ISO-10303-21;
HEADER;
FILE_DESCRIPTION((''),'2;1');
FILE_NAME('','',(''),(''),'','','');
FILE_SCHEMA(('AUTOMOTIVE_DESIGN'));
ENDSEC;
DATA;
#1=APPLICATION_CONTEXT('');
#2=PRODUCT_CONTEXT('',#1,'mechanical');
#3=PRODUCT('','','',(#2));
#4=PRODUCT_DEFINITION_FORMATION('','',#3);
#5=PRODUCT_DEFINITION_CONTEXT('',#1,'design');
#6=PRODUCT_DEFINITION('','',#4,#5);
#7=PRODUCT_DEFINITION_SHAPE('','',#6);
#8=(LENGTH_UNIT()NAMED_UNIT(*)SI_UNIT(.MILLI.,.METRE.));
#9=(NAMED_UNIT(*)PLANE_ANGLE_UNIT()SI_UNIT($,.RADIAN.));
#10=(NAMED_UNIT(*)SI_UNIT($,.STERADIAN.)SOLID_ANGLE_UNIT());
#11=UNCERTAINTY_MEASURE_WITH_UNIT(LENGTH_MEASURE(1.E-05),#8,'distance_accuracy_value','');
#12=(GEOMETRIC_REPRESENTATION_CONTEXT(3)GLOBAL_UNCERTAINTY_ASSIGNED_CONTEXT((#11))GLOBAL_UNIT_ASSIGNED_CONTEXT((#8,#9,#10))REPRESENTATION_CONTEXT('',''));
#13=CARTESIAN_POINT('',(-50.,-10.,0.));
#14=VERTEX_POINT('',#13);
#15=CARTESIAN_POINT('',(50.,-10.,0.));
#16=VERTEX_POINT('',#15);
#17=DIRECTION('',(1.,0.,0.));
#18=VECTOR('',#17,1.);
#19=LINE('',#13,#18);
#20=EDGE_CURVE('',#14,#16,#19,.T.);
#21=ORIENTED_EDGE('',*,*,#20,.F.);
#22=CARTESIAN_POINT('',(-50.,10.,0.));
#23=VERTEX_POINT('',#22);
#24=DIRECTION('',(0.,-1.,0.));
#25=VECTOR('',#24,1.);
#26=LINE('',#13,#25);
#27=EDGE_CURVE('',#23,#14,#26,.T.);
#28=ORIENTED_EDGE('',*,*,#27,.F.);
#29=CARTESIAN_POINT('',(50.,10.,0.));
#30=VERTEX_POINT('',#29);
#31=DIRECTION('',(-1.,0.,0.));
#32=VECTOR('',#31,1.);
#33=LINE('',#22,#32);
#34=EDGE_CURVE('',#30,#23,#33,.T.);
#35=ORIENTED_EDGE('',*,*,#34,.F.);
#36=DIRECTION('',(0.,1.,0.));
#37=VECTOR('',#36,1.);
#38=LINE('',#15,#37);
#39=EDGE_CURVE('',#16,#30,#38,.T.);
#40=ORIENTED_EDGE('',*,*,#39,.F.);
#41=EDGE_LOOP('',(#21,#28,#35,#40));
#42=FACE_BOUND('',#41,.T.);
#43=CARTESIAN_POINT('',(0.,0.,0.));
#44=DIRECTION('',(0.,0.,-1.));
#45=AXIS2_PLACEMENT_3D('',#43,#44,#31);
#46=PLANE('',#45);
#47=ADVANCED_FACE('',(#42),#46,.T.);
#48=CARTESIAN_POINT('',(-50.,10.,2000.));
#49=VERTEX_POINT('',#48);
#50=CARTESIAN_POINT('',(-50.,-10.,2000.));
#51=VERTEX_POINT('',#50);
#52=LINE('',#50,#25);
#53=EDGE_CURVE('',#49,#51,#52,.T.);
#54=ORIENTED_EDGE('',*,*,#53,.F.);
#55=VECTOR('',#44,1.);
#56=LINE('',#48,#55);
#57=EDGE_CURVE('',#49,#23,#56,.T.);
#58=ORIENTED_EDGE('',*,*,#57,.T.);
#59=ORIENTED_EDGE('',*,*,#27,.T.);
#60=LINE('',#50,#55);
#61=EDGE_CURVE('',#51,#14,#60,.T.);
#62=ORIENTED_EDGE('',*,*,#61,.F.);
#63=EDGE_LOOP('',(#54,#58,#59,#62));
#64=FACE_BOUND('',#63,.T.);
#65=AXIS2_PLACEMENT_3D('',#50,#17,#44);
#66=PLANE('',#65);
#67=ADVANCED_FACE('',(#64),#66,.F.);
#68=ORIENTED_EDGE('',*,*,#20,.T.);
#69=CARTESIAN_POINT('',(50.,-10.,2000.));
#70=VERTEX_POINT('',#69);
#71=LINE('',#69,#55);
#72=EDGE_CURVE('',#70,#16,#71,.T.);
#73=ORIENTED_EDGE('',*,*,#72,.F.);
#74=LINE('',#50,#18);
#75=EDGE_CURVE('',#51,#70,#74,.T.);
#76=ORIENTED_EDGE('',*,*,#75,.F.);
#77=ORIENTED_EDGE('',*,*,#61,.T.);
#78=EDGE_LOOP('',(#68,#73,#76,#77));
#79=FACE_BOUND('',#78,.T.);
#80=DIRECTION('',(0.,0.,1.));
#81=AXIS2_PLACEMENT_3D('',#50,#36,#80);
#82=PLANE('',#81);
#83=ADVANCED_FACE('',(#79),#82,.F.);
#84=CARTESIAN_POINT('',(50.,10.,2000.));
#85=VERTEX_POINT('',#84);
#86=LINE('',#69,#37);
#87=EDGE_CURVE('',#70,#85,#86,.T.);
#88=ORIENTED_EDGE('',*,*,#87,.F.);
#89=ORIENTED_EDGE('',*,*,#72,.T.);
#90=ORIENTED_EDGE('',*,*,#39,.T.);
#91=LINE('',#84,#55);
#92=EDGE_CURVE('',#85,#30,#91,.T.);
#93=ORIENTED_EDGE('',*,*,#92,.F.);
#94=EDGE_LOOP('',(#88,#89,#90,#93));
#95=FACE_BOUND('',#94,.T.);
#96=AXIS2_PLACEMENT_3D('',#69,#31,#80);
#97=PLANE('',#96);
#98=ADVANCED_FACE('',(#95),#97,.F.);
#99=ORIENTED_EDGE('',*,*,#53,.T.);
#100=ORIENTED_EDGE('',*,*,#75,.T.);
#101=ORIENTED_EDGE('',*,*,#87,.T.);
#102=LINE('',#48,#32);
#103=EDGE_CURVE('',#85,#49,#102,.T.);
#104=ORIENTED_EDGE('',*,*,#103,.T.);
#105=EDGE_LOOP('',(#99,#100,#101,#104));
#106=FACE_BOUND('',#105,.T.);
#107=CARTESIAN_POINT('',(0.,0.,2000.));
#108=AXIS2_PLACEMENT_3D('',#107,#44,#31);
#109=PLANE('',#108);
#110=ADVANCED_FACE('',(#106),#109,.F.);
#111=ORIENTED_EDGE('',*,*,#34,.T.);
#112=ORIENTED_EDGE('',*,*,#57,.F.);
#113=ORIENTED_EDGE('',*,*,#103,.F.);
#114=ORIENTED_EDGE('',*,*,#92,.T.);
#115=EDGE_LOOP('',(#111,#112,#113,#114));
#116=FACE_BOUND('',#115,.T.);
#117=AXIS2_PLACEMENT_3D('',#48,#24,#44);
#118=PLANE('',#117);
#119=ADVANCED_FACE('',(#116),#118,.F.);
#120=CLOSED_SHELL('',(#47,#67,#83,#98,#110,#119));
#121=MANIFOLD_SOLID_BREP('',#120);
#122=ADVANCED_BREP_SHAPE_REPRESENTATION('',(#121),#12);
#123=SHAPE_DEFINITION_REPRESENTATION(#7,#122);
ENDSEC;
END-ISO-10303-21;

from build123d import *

# Parameters (mm, degrees)
SKETCH_1_W      = 100
SKETCH_1_H      = 20
EXTRUDE_1_DEPTH = 2000


with BuildPart() as part:
    # 草图1 → 凸台-拉伸1 (new body)
    with BuildSketch(Plane.XY):
        Rectangle(SKETCH_1_W, SKETCH_1_H)
    extrude(amount=EXTRUDE_1_DEPTH)


solid = part.part
